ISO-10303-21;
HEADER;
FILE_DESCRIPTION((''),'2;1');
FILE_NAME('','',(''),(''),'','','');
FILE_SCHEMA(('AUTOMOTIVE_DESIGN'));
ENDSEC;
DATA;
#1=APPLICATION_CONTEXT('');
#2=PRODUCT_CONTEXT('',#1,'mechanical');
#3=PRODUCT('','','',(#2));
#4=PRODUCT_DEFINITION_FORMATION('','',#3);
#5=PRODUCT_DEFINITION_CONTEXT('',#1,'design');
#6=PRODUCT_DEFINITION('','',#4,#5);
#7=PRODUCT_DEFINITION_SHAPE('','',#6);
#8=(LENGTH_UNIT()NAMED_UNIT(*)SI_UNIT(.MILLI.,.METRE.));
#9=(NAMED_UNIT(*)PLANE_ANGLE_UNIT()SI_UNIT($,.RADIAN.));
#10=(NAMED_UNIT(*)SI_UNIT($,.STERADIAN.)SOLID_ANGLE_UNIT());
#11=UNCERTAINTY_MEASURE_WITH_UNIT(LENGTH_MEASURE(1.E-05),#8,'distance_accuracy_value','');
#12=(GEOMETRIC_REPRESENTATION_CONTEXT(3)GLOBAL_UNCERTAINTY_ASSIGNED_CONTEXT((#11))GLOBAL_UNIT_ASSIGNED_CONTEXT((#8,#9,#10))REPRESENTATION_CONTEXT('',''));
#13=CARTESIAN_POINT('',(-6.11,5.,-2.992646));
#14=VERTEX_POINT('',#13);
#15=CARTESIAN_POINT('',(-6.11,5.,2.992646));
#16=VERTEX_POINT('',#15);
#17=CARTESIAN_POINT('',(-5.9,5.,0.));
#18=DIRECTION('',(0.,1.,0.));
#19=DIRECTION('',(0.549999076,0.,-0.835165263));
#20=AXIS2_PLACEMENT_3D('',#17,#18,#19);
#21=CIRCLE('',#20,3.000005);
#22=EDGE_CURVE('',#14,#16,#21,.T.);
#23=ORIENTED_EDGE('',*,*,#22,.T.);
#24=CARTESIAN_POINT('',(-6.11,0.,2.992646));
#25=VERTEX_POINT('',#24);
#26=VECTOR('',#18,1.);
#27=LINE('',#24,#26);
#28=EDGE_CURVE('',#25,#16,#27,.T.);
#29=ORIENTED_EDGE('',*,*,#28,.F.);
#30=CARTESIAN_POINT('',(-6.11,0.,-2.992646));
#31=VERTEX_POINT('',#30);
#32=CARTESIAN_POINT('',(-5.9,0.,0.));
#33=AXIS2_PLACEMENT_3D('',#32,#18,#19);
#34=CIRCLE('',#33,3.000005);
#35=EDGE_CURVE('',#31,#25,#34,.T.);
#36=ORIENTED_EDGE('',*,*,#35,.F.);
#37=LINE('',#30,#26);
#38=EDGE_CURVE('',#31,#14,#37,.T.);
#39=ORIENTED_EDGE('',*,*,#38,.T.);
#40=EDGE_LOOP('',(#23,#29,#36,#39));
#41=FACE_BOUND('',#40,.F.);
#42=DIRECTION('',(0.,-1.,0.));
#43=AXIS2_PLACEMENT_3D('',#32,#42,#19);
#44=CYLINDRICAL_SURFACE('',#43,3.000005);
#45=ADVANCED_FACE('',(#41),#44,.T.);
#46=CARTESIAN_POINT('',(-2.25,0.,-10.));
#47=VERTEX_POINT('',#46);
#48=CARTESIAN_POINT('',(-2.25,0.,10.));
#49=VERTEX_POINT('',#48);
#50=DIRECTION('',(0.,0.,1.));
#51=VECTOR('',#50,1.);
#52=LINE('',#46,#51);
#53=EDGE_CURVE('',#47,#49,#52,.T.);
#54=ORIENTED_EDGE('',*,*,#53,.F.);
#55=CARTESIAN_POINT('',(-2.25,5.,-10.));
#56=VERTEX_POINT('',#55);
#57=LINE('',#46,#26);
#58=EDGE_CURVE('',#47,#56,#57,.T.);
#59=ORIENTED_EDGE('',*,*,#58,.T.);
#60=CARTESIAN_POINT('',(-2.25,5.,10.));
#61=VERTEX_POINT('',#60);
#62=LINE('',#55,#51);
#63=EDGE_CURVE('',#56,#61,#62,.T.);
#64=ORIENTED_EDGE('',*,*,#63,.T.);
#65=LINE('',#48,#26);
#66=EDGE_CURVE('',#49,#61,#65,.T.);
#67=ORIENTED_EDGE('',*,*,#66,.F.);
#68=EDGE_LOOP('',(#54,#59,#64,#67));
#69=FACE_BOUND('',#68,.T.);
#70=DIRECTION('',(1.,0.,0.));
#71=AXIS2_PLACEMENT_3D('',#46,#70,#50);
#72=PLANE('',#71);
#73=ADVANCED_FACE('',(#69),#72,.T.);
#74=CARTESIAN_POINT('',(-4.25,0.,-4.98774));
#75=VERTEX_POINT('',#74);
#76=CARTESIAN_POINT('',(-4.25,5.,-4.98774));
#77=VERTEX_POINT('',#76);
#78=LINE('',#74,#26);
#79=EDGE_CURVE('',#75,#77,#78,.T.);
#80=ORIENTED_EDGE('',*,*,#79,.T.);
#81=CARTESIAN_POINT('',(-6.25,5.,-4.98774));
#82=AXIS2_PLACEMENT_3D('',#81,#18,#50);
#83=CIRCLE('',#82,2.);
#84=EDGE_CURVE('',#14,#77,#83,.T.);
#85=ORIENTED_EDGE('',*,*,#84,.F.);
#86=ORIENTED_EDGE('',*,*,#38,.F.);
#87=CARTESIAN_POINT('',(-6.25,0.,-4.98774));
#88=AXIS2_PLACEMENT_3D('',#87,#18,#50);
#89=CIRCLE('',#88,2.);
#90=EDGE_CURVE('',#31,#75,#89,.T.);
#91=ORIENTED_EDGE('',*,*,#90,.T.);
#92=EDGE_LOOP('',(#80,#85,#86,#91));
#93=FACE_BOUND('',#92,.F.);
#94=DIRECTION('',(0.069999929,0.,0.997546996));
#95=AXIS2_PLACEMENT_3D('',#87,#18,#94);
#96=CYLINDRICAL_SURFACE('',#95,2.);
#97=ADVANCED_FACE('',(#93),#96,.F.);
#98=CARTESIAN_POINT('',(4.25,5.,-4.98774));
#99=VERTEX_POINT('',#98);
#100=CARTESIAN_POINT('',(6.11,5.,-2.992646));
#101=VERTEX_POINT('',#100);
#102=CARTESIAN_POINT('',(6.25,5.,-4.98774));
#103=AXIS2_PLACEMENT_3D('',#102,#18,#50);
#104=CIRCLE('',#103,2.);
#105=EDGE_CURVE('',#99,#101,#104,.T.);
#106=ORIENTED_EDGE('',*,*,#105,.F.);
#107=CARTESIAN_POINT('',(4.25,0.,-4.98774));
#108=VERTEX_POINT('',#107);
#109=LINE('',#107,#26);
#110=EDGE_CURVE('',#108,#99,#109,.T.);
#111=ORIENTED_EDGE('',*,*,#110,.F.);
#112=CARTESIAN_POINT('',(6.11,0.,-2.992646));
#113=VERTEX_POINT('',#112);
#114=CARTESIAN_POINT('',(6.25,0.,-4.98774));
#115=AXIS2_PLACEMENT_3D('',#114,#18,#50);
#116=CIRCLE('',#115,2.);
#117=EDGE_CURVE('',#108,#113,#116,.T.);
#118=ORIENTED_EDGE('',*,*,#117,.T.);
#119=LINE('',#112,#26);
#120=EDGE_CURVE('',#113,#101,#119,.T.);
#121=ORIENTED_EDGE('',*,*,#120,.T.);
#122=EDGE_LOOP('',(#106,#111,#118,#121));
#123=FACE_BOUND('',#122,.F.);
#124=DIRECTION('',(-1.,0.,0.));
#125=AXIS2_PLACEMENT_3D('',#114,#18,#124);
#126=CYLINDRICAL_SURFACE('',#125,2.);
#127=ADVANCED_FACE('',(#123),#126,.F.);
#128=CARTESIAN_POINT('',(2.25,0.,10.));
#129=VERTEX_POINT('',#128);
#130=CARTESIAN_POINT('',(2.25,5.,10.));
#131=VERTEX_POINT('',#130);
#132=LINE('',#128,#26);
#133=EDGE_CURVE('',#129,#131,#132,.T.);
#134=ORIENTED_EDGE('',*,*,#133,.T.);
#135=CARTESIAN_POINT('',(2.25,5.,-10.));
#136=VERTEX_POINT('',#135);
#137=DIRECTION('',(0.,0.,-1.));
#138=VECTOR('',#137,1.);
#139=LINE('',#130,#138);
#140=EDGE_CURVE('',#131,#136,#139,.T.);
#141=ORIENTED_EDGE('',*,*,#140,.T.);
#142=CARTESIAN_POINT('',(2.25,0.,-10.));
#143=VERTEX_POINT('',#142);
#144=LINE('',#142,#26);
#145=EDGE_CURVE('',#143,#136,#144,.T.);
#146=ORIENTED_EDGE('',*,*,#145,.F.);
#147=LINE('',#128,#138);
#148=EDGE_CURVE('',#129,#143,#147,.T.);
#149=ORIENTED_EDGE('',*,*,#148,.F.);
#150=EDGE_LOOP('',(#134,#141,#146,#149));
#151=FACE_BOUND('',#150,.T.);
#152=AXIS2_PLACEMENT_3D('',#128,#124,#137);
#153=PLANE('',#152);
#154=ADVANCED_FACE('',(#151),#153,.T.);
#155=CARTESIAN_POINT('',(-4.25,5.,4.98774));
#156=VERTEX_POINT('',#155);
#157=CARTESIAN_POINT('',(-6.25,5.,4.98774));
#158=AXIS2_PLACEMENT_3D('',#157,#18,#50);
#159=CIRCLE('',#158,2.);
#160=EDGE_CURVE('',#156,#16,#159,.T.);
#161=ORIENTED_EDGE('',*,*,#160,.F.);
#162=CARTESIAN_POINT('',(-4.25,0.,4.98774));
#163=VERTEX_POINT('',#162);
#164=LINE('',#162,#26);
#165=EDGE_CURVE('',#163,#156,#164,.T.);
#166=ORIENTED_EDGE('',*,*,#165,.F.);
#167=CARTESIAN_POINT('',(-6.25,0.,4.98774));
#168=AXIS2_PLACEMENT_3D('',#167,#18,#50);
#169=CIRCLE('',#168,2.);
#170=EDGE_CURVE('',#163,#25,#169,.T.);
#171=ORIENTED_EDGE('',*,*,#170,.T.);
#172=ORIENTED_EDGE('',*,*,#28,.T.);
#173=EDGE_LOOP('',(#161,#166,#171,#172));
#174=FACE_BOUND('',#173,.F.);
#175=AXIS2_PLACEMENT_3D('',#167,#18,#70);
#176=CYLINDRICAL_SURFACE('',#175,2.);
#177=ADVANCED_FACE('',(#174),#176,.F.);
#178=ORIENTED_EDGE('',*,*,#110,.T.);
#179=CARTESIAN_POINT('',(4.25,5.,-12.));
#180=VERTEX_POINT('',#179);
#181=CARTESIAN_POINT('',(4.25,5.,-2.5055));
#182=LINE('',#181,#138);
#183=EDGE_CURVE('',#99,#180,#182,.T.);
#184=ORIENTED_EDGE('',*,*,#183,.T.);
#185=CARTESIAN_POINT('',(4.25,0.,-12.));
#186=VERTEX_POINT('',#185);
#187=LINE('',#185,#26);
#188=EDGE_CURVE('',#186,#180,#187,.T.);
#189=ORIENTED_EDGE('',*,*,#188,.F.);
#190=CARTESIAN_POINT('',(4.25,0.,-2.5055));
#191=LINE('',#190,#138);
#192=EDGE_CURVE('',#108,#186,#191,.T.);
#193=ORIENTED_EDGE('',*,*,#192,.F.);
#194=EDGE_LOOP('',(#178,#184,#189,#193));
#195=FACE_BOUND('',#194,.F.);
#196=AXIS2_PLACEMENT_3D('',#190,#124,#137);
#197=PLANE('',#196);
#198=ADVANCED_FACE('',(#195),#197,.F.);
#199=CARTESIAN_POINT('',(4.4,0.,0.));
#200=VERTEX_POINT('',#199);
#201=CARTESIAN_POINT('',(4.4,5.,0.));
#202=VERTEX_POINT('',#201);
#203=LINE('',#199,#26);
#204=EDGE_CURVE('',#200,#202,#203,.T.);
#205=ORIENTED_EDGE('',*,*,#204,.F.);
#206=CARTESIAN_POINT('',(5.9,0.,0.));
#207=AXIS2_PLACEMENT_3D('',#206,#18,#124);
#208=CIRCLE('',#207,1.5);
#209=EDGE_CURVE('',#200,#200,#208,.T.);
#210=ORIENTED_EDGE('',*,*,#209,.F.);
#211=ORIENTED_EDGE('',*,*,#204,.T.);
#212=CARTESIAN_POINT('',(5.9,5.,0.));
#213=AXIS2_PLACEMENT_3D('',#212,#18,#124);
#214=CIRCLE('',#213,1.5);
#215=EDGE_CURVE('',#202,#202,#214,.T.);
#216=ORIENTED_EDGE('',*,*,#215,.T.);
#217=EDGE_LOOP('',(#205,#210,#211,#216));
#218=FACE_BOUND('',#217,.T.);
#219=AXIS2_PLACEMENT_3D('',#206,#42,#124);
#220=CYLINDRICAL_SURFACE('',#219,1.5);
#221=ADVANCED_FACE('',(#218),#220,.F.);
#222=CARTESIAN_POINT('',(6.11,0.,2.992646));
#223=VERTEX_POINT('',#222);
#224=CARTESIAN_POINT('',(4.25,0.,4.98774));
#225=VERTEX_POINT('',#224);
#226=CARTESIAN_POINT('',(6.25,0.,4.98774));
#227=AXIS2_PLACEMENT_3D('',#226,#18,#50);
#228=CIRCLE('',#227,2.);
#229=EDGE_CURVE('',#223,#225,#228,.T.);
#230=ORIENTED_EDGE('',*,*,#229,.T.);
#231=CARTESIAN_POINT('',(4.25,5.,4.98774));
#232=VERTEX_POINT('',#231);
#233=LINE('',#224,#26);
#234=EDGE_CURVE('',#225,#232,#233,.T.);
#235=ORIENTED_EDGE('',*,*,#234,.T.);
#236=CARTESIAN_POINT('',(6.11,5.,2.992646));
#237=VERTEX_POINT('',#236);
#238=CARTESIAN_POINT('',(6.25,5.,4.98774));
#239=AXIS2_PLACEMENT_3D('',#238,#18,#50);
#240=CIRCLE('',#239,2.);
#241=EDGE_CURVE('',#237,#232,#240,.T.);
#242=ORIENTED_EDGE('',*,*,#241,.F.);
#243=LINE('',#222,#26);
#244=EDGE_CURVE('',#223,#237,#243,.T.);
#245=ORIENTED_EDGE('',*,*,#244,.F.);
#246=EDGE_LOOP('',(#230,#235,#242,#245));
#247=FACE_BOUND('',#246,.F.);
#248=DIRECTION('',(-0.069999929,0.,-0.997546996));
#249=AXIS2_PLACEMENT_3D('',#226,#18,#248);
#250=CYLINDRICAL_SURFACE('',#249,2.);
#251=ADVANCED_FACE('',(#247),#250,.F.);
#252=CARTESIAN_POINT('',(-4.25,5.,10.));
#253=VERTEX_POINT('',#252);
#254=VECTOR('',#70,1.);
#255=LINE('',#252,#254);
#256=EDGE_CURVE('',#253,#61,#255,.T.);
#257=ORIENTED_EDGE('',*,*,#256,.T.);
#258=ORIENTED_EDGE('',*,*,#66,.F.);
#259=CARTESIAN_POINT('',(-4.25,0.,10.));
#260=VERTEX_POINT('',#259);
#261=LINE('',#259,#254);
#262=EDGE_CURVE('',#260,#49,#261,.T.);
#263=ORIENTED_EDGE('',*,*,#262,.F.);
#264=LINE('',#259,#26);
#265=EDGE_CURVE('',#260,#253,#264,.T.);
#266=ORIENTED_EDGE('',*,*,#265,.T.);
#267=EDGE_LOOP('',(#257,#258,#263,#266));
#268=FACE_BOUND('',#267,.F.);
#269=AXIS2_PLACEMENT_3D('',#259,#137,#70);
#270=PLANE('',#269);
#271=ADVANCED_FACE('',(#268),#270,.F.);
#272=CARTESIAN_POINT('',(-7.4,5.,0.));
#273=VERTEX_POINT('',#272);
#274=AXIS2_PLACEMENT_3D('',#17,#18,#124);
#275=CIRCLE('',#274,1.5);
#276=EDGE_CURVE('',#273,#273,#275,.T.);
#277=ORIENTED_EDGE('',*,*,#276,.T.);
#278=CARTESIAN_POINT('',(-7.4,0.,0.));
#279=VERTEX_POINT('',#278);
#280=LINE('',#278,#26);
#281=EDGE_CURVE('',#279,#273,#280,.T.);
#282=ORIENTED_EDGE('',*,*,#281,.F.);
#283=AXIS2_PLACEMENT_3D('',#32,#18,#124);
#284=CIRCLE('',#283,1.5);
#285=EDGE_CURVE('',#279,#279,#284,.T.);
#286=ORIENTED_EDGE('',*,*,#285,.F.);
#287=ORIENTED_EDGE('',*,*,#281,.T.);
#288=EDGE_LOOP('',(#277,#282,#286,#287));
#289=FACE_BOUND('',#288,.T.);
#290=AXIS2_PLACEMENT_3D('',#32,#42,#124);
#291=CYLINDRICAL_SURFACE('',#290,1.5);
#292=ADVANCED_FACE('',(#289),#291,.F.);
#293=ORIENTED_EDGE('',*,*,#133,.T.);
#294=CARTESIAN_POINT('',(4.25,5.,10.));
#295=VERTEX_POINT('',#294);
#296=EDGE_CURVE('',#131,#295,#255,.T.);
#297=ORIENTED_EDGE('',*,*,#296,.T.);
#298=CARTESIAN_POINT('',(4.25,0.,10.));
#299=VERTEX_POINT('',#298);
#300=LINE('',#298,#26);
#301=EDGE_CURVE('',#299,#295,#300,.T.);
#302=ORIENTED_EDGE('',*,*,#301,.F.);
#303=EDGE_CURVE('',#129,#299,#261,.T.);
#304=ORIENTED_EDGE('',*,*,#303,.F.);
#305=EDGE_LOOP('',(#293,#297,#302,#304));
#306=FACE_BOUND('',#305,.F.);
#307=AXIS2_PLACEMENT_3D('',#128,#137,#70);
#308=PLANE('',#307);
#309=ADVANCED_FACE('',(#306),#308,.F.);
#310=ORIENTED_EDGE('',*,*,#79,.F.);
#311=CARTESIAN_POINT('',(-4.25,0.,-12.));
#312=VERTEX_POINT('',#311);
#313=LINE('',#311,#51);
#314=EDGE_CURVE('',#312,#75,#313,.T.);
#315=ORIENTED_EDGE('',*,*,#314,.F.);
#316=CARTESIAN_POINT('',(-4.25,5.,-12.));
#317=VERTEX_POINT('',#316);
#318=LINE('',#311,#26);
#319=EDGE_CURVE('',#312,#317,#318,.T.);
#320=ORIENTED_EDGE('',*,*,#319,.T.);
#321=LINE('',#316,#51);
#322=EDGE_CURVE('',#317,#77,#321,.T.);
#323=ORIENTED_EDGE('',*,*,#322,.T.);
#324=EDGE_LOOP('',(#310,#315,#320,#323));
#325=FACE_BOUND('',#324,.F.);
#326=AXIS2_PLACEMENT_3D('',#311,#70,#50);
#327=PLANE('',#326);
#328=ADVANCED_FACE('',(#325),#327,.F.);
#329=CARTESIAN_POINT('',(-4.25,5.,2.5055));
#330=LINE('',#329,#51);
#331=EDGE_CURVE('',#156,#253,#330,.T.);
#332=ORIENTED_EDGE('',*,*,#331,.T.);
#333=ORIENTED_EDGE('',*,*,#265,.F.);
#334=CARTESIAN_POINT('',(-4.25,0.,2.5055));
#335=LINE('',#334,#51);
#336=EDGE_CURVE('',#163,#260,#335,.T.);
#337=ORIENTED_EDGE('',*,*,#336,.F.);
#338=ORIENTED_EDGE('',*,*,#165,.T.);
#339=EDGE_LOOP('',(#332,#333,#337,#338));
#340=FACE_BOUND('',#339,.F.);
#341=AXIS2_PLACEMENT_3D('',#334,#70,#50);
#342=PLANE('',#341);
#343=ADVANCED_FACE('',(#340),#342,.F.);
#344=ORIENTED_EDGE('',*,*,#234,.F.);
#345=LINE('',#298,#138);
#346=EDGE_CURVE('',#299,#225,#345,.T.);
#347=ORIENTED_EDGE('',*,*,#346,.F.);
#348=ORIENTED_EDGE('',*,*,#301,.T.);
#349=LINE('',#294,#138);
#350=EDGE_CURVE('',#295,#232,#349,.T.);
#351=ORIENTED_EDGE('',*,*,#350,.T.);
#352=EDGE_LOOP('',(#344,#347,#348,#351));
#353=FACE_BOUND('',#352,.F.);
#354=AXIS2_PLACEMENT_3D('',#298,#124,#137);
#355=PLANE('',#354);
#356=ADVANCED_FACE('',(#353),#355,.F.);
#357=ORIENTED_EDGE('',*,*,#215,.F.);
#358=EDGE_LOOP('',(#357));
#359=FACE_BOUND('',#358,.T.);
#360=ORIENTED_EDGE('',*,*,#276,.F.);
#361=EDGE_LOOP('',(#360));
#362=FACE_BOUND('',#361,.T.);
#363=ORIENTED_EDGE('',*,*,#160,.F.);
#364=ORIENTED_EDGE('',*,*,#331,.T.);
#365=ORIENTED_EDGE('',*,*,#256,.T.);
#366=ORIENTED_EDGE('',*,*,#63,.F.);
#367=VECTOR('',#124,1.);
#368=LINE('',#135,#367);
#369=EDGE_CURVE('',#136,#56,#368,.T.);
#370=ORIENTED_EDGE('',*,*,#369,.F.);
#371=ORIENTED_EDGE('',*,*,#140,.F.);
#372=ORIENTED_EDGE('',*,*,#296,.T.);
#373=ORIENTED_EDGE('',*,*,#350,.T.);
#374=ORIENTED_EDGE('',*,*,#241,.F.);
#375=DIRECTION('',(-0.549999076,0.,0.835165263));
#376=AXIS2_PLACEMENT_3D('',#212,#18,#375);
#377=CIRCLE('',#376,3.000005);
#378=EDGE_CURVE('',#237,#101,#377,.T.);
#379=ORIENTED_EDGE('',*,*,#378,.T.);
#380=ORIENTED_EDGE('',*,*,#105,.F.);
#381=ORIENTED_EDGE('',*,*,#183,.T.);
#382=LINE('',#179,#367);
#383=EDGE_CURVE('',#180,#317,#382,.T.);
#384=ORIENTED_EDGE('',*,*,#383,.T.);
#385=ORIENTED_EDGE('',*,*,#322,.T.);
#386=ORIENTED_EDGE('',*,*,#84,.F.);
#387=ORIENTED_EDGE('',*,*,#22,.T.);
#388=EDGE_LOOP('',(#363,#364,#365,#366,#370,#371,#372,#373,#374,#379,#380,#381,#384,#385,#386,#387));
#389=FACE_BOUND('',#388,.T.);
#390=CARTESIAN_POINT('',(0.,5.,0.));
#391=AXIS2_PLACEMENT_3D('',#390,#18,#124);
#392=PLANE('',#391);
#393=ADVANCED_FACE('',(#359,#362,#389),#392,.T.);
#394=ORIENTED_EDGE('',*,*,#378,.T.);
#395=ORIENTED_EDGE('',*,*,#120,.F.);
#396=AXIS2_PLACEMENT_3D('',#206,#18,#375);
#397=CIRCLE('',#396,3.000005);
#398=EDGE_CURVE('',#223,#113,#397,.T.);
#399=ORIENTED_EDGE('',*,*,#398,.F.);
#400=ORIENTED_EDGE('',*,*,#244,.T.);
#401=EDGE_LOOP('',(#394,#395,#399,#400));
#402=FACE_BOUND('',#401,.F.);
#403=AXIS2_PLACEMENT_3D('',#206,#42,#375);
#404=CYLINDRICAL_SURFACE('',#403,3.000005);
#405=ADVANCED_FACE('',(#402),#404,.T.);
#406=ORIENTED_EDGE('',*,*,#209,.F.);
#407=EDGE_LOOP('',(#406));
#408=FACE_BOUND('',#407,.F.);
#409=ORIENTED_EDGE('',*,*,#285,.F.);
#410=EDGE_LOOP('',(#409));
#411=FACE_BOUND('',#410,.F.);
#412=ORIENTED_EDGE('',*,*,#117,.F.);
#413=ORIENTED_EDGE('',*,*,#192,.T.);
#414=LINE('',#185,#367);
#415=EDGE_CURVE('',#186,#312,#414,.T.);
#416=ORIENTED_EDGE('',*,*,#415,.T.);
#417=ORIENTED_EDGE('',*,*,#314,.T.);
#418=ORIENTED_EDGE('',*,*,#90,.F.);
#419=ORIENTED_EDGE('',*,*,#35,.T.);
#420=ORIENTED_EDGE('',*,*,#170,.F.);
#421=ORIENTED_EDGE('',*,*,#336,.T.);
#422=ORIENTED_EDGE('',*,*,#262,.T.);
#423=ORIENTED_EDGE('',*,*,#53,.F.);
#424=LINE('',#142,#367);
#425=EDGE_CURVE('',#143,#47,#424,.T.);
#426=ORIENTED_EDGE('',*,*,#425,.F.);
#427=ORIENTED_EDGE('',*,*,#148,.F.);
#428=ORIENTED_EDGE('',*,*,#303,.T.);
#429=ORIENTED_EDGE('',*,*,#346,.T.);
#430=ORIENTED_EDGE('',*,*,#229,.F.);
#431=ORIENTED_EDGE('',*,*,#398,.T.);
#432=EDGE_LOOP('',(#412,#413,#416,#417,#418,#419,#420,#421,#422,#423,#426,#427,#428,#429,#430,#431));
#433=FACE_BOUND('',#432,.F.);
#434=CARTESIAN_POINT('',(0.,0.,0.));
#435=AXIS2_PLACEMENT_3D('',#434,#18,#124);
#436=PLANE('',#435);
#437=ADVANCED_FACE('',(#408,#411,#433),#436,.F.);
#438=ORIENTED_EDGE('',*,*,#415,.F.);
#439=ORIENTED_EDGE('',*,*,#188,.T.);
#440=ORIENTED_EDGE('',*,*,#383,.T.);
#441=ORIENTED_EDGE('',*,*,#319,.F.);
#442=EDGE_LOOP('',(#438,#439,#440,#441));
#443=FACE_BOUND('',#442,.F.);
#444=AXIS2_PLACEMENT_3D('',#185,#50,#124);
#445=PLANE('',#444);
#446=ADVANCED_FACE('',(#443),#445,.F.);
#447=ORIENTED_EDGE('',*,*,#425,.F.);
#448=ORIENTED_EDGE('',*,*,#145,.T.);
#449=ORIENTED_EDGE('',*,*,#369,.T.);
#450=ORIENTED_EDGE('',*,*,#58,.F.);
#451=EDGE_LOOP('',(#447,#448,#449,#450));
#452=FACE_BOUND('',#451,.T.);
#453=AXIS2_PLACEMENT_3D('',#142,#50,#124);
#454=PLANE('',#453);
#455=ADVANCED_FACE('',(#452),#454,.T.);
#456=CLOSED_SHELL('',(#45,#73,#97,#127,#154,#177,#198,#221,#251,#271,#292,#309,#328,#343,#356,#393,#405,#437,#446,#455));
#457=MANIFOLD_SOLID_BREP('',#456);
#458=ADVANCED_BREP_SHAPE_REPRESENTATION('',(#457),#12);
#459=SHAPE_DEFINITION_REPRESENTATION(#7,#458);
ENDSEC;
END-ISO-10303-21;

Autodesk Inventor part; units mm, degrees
ref_plane "YZ Plane" through (0, 0, 0) normal (1, 0, 0) x (0, 1, 0)
ref_plane "XZ Plane" through (0, 0, 0) normal (0, 1, 0) x (-1, 0, 0)
ref_plane "XY Plane" through (0, 0, 0) normal (0, 0, 1) x (1, 0, 0)
sketch "Sketch1" plane through (0, 0, 0) normal (0, 1, 0) x (-1, 0, 0)
  line L0 (2.25, 10) -> (-2.25, 10)
  line L1 (-2.25, 10) -> (-2.25, -10)
  line L2 (-2.25, -10) -> (2.25, -10)
  line L3 (2.25, -10) -> (2.25, 10)
  line L4 (4.25, 10) -> (-4.25, 10)
  line L5 (-4.25, -12) -> (4.25, -12)
  circle A0 centre (5.9, 0) radius 1.5
  circle A1 centre (-5.9, 0) radius 1.5
  arc A2 (-4.25, 2.5055) -> (-4.25, -2.5055) centre (-5.9, 0) ccw
  arc A3 (4.25, -2.5055) -> (4.25, 2.5055) centre (5.9, 0) ccw
  line L6 (4.25, -12) -> (4.25, -2.5055)
  line L7 (4.25, 2.5055) -> (4.25, 10)
  line L8 (-4.25, 10) -> (-4.25, 2.5055)
  line L9 (-4.25, -2.5055) -> (-4.25, -12)
  point P0 (0, 0)
  point P1 (0, -12)
  point P2 (0, -10)
  point P3 (2.25, 0)
  dimension "d0" = 4.5
  dimension "d1" = 20
  dimension "d2" = 5.9
  dimension "d3" = 11.8
  dimension "d4" = 3
  dimension "d5" = 3
  dimension "d6" = 6
  dimension "d7" = 6
  dimension "d8" = 2
  dimension "d9" = 2
  dimension "d10" = 2
  dimension "d11" = 2
extrude "Extrusion1" add sketch "Sketch1" along normal blind 5 contours L4 L7 A3 L6 L5 L9 A2 L8 L1 L2 L3
fillet "Fillet1" radius 2 4 edges at (4.25, 2.5, 2.5055) (-4.25, 2.5, 2.5055) (-4.25, 2.5, -2.5055) (4.25, 2.5, -2.5055)
properties part number "Stand Clamp"
